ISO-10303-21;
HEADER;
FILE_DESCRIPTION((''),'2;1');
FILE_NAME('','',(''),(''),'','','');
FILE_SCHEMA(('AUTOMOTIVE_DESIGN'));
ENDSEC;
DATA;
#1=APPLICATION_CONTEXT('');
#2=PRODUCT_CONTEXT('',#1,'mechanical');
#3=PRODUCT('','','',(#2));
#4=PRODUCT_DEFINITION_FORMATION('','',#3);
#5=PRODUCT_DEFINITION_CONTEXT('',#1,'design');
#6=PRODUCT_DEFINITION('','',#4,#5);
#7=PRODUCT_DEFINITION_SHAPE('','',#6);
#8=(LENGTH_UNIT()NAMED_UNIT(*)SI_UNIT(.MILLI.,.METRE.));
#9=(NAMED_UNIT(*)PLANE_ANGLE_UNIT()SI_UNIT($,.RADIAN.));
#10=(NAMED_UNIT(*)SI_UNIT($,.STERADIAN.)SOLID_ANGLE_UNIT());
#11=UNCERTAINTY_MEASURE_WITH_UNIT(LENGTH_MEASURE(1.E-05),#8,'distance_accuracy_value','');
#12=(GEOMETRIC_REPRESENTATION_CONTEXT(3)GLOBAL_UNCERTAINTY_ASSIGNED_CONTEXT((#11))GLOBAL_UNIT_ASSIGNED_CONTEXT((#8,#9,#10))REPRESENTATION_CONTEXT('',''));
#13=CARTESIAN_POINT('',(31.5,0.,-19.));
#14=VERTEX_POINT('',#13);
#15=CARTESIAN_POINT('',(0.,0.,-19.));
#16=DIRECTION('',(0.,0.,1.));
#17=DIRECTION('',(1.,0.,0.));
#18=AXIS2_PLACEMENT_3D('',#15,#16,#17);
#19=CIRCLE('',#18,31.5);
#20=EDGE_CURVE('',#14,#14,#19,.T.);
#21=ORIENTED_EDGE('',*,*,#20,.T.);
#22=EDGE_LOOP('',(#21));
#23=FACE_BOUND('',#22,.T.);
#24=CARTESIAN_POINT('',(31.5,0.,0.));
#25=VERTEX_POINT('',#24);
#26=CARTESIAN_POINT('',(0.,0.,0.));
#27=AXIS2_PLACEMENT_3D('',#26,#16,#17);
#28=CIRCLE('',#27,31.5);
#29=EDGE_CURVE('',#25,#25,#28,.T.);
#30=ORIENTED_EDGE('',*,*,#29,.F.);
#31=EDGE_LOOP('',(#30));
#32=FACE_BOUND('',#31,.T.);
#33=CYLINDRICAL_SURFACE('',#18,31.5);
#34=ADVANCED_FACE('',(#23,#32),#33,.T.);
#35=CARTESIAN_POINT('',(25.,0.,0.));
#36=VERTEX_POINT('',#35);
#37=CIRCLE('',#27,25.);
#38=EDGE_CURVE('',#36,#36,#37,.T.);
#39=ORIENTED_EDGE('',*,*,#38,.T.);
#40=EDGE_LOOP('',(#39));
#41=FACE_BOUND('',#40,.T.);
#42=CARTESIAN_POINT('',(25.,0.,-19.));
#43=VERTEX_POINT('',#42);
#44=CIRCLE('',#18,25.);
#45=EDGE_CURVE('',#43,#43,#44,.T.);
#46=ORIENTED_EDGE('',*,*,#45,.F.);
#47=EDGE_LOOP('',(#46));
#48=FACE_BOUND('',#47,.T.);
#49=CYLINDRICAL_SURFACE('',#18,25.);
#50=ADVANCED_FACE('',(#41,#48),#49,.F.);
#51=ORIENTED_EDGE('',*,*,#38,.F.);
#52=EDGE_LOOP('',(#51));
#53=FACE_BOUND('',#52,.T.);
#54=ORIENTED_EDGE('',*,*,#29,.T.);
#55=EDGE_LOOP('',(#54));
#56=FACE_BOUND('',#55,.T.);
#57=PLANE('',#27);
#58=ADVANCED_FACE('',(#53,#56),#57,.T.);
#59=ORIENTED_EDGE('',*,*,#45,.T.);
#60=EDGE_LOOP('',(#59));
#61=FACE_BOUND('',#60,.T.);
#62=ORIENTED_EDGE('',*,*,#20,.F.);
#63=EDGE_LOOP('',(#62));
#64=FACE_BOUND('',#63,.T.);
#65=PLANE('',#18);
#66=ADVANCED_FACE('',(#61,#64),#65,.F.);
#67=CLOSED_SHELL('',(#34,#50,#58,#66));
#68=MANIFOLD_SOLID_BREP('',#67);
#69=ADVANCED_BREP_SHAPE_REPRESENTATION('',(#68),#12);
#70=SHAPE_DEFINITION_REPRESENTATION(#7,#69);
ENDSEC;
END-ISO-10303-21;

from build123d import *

# Parameters (mm, degrees)
CROQUIS1_R              = 31.5
CROQUIS1_R_2            = 25
SALIENTE_EXTRUIR1_DEPTH = 19


with BuildPart() as part:
    # Croquis1 → Saliente-Extruir1 (new body)
    with BuildSketch(Plane.XY):
        Circle(CROQUIS1_R)
        Circle(CROQUIS1_R_2, mode=Mode.SUBTRACT)
    extrude(amount=-SALIENTE_EXTRUIR1_DEPTH)


solid = part.part
